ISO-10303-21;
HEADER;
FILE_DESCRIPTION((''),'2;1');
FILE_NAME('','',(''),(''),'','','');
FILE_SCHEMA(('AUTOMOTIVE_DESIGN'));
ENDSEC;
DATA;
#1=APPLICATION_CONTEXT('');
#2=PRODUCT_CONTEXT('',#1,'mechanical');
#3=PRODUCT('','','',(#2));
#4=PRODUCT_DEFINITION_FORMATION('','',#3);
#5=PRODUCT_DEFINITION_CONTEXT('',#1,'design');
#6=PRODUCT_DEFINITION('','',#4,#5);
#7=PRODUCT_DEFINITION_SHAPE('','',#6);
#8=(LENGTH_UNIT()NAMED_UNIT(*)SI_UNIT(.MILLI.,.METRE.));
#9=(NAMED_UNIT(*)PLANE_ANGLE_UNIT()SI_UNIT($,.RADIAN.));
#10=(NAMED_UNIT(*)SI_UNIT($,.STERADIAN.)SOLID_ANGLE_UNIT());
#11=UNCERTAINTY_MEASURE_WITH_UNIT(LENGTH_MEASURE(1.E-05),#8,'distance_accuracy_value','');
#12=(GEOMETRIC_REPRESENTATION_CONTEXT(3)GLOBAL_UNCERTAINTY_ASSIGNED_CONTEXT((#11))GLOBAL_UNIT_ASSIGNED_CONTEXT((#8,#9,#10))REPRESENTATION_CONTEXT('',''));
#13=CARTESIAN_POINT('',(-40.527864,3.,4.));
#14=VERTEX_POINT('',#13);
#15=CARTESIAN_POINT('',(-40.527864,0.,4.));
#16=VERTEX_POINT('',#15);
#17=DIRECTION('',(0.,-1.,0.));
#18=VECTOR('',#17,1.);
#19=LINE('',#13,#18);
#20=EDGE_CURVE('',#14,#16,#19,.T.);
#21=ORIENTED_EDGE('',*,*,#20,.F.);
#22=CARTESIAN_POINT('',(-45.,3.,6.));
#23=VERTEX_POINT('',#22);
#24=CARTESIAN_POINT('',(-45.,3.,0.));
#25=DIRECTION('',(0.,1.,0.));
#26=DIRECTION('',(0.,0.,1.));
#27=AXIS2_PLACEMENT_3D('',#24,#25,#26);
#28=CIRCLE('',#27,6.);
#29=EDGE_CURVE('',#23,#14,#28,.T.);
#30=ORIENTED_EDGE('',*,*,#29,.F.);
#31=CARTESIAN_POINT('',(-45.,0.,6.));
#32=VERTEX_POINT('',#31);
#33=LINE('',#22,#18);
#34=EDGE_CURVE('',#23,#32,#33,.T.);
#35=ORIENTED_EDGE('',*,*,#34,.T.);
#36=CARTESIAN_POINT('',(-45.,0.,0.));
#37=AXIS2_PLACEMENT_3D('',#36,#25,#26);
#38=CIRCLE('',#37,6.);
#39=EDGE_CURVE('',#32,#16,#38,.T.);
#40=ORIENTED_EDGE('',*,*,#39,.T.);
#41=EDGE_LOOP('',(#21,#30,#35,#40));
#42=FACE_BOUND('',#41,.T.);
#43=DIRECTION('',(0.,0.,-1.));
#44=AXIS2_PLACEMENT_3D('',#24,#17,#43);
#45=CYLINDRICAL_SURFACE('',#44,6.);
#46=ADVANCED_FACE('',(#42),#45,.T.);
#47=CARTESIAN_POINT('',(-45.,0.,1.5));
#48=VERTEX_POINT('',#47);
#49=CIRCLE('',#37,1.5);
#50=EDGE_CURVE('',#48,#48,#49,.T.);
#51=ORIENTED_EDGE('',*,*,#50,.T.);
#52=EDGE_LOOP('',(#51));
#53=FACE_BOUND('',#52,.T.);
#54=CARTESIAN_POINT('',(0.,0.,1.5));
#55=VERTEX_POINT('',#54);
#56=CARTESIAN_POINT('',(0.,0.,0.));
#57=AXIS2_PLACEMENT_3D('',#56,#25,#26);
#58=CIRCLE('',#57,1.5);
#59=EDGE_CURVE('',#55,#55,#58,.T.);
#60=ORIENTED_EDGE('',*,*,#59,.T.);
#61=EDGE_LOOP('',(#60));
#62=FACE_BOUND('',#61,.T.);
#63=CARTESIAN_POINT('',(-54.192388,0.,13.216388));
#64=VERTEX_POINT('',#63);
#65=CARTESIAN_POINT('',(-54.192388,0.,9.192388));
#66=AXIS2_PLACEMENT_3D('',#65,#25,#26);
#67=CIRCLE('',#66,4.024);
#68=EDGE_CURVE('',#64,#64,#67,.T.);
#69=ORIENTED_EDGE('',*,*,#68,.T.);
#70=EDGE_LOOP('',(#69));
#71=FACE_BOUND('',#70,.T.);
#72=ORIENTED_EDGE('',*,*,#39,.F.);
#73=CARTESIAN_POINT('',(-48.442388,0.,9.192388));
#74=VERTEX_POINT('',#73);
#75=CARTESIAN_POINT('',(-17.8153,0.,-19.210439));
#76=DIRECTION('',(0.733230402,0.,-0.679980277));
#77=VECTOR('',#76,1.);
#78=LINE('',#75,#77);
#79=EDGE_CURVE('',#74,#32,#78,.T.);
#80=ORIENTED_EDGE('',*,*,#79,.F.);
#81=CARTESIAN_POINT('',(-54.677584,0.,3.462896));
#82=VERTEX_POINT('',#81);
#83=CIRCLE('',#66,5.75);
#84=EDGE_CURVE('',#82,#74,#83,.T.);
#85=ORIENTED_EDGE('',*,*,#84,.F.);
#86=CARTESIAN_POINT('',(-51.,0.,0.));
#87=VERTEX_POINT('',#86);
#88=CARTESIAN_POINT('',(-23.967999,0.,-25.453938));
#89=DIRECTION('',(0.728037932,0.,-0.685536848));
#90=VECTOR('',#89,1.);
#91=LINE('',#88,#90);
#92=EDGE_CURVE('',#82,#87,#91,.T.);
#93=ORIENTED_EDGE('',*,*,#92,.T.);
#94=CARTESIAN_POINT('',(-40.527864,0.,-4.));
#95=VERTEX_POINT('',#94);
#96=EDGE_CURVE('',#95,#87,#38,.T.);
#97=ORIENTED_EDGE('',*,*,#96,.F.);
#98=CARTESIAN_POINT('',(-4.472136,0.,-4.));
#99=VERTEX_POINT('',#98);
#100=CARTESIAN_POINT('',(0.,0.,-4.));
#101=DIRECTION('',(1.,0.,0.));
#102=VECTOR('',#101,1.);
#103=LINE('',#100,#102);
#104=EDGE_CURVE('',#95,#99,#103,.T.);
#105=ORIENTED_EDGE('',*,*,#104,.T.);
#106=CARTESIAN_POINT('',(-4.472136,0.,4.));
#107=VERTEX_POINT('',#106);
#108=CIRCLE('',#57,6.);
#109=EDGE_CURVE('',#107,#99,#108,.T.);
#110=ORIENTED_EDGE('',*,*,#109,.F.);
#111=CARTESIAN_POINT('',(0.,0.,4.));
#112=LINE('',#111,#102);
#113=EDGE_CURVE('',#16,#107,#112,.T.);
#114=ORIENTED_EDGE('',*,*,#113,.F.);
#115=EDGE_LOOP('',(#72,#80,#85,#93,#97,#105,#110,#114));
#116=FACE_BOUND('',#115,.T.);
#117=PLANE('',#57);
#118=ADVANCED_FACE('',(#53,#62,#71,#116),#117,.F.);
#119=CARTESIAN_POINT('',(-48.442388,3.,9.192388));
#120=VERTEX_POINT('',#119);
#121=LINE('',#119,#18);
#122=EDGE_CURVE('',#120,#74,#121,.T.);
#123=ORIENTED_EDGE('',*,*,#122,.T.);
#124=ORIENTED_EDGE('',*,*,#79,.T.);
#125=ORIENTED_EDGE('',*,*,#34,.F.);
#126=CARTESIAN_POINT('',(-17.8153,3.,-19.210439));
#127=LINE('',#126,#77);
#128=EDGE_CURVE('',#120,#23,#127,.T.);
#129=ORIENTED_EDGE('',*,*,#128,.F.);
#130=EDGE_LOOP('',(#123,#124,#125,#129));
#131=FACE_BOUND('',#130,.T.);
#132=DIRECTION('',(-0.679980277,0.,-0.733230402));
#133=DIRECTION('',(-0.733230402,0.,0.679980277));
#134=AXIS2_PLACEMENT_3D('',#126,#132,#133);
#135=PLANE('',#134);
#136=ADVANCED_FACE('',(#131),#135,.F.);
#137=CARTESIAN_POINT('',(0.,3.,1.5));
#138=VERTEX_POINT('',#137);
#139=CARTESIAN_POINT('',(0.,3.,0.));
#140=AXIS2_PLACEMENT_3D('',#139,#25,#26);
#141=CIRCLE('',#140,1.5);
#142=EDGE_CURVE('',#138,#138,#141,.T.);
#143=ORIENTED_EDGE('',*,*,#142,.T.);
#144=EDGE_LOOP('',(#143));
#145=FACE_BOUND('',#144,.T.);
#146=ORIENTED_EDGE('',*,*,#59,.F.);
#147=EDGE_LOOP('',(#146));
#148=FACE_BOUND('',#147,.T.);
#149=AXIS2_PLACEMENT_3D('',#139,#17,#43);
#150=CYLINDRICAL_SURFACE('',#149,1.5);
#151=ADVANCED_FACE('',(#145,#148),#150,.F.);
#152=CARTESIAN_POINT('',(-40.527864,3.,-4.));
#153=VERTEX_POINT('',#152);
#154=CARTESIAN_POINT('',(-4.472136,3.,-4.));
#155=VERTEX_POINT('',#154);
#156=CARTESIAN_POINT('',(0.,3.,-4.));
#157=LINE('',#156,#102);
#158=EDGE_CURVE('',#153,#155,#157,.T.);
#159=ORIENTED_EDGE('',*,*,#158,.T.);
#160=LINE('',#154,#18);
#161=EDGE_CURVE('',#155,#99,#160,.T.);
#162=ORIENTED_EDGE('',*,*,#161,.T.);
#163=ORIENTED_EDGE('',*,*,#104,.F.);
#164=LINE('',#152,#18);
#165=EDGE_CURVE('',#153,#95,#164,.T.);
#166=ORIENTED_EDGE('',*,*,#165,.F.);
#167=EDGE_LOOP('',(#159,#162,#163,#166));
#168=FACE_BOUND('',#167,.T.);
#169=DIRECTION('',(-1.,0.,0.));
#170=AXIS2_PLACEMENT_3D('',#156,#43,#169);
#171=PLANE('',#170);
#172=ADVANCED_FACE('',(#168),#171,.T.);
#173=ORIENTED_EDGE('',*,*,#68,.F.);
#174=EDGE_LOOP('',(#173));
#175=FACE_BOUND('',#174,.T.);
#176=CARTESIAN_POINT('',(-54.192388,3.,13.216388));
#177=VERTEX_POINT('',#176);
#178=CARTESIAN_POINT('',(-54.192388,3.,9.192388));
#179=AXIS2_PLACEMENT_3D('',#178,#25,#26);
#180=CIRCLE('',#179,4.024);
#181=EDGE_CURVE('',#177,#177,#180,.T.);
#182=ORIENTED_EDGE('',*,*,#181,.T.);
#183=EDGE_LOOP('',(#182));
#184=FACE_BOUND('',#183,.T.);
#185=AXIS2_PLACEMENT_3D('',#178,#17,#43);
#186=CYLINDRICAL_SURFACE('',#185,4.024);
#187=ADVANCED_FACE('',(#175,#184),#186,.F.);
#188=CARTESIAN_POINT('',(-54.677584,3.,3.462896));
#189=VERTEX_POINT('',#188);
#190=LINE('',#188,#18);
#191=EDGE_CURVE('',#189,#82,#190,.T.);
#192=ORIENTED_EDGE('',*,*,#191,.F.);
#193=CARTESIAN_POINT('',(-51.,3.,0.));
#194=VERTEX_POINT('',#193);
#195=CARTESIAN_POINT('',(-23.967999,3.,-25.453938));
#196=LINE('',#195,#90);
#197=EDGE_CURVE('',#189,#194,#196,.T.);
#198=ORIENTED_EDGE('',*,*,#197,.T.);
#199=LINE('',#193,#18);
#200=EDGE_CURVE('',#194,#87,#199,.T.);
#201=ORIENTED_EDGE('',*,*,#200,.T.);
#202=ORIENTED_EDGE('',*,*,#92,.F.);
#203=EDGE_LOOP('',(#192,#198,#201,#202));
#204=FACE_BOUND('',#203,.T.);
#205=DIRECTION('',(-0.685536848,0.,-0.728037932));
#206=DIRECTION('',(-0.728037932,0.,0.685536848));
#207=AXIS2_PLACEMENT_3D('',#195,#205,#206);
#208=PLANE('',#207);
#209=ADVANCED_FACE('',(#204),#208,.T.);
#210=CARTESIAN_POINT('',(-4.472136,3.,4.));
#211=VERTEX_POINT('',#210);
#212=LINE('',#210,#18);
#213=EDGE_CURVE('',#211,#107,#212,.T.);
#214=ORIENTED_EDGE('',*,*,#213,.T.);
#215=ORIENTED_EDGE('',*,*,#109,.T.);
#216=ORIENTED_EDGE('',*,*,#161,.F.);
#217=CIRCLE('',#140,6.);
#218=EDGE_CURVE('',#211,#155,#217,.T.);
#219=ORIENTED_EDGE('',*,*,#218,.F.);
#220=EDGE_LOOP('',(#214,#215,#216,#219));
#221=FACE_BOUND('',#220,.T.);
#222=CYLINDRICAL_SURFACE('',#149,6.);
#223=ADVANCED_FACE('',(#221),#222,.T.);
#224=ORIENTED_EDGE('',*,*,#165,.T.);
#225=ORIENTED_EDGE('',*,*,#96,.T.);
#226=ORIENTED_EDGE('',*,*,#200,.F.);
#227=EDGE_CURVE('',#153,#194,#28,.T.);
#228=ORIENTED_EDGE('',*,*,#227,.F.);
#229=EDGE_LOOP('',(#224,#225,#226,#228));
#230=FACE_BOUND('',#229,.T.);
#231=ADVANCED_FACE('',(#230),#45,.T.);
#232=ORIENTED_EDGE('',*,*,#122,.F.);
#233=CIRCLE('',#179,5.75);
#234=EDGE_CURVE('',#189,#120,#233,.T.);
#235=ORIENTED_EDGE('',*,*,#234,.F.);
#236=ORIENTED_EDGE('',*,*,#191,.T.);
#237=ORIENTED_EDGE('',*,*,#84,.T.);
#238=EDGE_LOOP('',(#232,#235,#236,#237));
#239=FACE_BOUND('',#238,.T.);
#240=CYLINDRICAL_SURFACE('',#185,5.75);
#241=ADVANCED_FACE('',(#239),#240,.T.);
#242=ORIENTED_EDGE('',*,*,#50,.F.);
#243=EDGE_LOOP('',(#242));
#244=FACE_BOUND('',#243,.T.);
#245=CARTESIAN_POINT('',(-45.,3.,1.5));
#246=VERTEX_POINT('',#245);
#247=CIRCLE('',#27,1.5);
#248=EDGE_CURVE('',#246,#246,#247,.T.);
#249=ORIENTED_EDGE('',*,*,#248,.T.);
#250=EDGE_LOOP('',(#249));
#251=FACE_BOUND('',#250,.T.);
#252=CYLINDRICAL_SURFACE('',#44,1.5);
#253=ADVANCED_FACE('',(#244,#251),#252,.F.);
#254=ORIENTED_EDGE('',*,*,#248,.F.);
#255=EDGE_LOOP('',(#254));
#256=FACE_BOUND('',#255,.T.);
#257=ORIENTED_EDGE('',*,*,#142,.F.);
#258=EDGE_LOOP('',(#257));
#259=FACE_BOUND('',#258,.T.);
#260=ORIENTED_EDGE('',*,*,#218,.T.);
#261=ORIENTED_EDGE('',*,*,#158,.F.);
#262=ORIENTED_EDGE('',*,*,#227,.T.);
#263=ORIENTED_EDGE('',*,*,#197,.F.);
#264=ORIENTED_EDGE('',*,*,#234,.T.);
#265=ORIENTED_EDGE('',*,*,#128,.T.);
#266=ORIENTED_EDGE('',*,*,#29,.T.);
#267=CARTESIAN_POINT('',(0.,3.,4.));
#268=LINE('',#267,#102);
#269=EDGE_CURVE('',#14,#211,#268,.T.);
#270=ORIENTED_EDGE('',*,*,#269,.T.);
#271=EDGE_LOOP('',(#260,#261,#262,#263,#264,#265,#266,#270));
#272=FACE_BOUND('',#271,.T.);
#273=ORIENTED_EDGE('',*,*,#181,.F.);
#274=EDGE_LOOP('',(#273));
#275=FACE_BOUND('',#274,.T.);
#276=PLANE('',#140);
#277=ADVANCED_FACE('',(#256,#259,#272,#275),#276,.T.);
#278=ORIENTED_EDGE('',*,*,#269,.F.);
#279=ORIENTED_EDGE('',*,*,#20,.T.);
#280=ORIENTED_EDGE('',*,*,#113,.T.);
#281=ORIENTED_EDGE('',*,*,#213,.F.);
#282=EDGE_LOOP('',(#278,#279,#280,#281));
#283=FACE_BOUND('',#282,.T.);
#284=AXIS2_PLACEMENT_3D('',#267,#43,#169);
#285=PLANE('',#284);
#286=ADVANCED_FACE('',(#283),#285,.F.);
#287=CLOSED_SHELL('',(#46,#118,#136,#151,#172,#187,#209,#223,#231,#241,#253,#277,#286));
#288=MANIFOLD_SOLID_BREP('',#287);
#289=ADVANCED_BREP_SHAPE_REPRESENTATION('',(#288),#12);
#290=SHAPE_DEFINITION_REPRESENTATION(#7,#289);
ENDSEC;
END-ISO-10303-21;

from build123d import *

# Parameters (mm, degrees)
ESQUISSE10_R       = 4.024
ESQUISSE10_R_2     = 1.5
BOSS_EXTRU_1_DEPTH = 3


with BuildPart() as part:
    # Esquisse10 → Boss.-Extru.1 (new body)
    with BuildSketch(Plane(origin=(0, 0, 0), x_dir=(1, 0, 0), z_dir=(0, 1, 0))):
        with BuildLine():
            Line((-4.472135955, 4), (-40.527864045, 4))
            ThreePointArc((-40.527864045, 4), (-47.140932539, 5.605034154), (-51, 0))
            Line((-51, 0), (-54.677584007, -3.462895596))
            ThreePointArc((-54.677584007, -3.462895596), (-58.082929496, -13.426321088), (-48.442388155, -9.192388155))
            Line((-48.442388155, -9.192388155), (-45, -6))
            ThreePointArc((-45, -6), (-42.550510257, -5.477225575), (-40.527864045, -4))
            Line((-40.527864045, -4), (-4.472135955, -4))
            ThreePointArc((-4.472135955, -4), (6, 0), (-4.472135955, 4))
        make_face()
        with Locations((-54.192388155, -9.192388155)):
            Circle(ESQUISSE10_R, mode=Mode.SUBTRACT)
        with Locations((-45, 0)):
            Circle(ESQUISSE10_R_2, mode=Mode.SUBTRACT)
        Circle(ESQUISSE10_R_2, mode=Mode.SUBTRACT)
    extrude(amount=BOSS_EXTRU_1_DEPTH)


solid = part.part
